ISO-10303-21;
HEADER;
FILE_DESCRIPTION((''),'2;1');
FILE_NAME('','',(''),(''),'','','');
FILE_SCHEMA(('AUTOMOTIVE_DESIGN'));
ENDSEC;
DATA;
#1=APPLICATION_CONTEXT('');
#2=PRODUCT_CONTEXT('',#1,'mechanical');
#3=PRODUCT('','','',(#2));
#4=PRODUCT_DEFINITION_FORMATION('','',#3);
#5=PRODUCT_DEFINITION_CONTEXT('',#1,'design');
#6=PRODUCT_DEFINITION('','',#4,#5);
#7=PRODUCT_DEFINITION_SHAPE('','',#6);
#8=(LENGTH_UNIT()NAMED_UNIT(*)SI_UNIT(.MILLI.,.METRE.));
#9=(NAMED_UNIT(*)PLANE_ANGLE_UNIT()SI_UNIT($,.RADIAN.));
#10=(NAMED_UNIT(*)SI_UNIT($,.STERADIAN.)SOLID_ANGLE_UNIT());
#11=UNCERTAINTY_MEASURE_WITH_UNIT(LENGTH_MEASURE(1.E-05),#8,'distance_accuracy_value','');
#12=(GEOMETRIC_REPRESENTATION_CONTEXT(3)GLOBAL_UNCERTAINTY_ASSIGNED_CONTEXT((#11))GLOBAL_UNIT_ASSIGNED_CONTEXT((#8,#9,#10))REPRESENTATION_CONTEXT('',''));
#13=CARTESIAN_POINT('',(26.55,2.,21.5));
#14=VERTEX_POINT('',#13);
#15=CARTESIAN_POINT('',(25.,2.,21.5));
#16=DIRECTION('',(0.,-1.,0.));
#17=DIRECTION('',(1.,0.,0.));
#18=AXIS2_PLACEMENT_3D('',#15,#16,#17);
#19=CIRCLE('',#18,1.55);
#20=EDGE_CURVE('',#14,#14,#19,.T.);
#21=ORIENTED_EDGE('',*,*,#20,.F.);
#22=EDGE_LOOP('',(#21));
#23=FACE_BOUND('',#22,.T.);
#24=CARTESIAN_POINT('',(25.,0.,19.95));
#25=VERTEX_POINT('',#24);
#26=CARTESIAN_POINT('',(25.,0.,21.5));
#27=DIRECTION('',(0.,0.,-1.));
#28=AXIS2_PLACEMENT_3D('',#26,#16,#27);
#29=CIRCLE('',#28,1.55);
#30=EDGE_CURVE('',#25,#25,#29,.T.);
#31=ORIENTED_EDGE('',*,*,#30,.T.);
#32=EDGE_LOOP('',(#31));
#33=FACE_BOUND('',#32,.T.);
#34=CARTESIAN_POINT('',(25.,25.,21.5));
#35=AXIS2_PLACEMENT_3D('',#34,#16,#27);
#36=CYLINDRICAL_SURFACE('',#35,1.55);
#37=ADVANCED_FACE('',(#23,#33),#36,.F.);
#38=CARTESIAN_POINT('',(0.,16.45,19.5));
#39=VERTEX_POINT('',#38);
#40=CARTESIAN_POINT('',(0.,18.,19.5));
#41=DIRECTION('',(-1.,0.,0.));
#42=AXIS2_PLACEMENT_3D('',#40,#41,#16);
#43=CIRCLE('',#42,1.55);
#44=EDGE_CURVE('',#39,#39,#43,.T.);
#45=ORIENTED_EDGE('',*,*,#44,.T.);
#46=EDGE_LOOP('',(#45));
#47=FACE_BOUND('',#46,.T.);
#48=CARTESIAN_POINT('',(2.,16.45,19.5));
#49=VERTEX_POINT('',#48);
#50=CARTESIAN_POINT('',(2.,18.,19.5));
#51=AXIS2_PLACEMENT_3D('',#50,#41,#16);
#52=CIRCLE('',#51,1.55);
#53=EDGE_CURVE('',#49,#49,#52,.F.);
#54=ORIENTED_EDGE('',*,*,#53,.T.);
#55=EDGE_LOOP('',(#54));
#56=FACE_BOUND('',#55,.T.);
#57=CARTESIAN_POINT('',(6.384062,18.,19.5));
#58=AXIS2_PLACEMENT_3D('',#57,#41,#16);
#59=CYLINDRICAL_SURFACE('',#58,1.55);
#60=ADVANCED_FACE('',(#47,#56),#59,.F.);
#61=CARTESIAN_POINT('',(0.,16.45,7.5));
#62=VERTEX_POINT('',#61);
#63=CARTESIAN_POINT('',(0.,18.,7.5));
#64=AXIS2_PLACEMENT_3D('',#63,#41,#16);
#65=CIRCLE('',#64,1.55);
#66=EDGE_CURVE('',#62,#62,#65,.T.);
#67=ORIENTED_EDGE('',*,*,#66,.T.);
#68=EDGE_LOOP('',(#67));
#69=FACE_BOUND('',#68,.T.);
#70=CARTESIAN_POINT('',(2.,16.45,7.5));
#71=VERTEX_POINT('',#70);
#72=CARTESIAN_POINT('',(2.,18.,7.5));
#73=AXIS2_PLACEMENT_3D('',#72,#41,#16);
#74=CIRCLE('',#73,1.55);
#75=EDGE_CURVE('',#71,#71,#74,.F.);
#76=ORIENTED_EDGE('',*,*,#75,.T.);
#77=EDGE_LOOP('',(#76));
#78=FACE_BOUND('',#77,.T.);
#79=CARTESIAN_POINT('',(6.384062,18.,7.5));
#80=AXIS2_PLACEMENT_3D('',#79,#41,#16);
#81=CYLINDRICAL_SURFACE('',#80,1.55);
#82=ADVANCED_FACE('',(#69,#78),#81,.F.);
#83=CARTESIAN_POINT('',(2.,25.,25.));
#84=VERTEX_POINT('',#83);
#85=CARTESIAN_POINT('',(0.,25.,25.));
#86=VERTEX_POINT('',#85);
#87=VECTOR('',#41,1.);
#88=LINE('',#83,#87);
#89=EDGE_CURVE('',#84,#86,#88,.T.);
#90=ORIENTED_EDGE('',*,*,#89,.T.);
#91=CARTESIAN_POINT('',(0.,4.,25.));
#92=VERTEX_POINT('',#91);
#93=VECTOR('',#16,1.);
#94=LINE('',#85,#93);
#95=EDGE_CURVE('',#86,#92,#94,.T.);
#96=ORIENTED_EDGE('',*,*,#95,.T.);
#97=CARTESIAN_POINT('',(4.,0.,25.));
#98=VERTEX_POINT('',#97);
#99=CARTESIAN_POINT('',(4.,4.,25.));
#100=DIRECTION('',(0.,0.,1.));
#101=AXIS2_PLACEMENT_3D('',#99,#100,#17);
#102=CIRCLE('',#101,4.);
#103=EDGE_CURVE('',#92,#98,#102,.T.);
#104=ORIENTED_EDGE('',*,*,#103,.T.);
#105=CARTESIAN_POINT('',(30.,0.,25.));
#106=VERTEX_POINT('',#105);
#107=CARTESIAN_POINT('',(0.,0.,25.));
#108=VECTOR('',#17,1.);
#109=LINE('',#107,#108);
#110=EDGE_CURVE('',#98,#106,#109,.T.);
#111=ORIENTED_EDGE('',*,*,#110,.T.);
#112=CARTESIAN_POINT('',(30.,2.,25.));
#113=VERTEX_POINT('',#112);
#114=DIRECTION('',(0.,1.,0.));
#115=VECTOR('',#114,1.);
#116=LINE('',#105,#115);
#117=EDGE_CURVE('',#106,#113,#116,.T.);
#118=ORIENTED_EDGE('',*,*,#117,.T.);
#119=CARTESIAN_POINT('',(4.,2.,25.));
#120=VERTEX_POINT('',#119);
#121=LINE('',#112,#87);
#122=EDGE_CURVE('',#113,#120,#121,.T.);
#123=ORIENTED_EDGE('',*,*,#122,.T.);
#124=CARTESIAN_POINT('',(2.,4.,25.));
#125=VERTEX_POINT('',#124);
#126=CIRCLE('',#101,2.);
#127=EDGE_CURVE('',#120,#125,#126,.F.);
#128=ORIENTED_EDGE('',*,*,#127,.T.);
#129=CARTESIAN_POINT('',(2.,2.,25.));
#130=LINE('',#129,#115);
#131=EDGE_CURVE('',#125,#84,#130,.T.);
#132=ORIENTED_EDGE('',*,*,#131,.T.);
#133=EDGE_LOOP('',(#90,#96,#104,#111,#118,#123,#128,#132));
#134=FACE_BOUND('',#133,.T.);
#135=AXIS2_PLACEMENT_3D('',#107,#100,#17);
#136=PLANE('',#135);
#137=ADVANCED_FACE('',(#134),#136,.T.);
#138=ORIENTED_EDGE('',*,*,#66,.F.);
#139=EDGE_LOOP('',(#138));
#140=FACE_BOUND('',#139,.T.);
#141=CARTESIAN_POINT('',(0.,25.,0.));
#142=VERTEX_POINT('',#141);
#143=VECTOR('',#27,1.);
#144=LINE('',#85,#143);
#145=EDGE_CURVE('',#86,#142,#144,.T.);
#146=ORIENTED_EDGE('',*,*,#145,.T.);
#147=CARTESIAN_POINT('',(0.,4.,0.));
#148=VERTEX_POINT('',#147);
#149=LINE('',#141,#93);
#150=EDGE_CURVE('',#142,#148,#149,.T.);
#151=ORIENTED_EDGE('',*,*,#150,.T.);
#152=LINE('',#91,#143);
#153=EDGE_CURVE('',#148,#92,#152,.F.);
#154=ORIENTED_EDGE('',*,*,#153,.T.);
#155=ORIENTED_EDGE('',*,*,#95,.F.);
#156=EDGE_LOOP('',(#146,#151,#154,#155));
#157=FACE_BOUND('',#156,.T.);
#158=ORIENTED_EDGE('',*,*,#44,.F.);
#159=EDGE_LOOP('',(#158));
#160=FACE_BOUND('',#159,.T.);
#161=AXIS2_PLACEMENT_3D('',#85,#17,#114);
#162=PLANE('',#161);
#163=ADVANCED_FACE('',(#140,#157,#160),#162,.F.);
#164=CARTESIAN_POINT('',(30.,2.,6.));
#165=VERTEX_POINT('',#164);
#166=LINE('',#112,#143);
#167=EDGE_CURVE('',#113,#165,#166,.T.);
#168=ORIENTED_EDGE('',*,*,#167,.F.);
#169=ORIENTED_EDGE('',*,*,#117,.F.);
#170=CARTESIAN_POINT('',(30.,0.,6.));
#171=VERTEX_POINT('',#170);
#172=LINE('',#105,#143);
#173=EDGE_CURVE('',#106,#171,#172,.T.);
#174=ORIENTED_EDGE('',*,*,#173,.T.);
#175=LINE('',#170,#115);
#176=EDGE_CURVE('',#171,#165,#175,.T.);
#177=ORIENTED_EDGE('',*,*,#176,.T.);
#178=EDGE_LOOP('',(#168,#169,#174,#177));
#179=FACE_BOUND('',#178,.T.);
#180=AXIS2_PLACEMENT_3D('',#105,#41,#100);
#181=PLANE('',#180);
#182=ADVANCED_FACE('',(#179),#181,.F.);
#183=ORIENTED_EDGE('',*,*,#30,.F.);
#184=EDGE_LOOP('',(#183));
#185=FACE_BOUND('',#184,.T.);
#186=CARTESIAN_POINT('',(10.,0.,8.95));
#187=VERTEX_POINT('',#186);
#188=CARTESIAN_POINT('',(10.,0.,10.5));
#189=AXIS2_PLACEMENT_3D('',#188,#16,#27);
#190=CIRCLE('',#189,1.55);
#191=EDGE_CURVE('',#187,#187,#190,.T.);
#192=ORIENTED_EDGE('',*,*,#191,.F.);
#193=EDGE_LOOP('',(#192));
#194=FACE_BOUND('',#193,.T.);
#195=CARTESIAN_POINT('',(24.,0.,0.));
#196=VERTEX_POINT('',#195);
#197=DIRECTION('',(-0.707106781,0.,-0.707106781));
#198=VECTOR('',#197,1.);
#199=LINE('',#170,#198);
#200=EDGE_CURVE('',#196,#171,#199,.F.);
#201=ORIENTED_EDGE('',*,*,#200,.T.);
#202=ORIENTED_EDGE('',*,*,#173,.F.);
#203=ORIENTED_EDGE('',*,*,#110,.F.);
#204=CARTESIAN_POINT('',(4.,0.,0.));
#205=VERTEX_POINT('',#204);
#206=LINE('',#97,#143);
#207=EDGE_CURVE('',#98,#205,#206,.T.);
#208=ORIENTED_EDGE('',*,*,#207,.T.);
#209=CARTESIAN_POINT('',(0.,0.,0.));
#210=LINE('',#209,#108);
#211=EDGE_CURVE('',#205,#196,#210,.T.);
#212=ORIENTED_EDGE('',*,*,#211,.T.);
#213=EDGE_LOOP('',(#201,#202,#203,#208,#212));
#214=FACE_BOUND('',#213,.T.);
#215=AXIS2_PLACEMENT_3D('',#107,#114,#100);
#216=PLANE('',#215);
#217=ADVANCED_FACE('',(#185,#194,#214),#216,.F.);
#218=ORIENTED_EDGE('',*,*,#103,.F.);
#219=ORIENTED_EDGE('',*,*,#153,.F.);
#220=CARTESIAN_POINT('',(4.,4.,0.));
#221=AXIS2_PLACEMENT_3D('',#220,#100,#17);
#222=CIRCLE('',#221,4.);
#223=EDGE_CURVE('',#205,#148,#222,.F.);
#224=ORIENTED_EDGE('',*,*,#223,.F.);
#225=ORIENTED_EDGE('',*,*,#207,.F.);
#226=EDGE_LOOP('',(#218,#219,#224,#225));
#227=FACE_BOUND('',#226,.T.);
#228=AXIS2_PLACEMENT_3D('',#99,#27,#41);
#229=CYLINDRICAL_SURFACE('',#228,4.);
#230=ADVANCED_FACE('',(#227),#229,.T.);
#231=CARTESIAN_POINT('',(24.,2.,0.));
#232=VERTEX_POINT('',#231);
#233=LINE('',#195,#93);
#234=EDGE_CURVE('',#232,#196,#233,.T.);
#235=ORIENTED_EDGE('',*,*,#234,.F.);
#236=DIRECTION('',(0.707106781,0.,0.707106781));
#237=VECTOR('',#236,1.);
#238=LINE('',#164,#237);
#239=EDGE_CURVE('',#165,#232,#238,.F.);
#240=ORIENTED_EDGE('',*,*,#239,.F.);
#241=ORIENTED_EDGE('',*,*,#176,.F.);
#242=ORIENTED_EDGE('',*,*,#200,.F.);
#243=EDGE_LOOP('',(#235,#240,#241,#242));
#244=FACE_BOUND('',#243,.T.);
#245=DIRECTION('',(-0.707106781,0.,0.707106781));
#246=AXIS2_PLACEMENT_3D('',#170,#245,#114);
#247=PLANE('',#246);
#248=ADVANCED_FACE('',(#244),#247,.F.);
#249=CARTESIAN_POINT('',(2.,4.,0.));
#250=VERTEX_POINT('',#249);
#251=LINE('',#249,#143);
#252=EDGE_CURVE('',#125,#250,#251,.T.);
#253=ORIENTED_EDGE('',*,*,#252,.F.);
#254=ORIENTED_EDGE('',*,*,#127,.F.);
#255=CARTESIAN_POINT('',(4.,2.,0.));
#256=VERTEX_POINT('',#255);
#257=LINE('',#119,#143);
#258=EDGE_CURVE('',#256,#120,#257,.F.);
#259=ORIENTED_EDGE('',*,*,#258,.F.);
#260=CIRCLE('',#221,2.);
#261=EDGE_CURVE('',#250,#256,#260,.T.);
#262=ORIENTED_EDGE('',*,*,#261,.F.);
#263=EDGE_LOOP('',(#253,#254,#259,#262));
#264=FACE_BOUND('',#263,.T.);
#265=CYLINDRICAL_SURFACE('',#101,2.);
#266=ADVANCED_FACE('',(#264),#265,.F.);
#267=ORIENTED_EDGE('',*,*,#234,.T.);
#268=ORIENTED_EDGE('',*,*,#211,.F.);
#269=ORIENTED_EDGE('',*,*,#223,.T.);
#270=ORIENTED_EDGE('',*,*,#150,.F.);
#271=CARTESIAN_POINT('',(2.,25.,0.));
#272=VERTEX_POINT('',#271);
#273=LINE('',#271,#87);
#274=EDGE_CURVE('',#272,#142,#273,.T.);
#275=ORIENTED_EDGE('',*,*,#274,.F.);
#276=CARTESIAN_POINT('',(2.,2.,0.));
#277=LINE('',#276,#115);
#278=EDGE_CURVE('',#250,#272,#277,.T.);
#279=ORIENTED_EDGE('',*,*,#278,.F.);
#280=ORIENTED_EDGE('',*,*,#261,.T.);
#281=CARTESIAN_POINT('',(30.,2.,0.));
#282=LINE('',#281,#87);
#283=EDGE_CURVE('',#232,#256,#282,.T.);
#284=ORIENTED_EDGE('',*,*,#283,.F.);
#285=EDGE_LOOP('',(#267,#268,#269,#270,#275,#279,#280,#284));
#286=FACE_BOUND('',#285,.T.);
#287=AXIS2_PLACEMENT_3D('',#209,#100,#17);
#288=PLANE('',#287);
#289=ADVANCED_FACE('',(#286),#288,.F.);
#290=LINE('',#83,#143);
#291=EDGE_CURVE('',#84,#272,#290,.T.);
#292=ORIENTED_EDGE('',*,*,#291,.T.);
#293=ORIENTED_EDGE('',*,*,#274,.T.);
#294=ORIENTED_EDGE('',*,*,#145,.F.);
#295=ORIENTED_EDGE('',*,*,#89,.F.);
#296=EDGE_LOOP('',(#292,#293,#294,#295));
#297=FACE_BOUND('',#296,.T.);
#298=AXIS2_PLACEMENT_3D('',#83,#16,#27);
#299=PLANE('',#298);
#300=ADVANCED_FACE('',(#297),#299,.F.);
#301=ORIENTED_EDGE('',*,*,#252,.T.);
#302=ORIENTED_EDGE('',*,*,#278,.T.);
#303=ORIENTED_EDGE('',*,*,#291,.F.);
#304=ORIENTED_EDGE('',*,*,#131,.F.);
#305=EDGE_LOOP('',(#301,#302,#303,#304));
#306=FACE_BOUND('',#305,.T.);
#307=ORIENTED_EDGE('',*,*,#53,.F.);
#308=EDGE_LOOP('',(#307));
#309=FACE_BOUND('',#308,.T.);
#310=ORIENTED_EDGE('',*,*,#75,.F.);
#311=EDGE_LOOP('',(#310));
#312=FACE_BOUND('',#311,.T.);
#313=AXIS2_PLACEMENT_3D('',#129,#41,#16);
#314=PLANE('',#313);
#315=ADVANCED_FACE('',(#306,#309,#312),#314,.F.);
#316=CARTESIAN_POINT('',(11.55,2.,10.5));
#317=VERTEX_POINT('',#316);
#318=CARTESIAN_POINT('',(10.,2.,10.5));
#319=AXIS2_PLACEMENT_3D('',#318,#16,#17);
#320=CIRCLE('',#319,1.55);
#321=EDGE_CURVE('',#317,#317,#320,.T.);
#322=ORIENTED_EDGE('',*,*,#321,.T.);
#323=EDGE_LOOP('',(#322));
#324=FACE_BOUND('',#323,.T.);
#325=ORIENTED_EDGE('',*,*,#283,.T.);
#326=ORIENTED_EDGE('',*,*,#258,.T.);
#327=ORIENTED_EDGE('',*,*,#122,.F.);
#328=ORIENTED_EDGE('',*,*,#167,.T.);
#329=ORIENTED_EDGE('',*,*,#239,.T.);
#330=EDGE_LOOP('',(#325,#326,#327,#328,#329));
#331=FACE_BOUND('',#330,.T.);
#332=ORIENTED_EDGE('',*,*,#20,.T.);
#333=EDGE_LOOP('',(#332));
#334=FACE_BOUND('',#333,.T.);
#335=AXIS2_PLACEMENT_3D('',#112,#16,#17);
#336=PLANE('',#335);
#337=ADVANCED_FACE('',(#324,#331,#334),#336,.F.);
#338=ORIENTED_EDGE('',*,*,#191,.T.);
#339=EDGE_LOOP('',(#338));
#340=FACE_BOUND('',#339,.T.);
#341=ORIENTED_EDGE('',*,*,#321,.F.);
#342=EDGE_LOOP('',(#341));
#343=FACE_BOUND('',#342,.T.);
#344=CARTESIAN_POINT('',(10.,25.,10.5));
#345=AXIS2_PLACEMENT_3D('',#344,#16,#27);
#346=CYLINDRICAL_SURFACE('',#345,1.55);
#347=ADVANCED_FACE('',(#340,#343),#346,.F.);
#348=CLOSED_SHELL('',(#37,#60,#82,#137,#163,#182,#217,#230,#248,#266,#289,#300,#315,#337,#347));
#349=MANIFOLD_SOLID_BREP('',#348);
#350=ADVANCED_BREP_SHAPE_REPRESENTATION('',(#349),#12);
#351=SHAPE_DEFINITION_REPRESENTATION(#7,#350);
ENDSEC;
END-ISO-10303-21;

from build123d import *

# Parameters (mm, degrees)
BASE_DEPTH         = 25
SKETCH2_R          = 1.55
CUT_EXTRUDE1_DEPTH = 2
SKETCH4_R          = 1.55
CUT_EXTRUDE3_DEPTH = 47.368092477
CHAMFER2_SIZE      = 6
FILLET1_R          = 2
FILLET2_R          = 4


with BuildPart() as part:
    # Sketch1 → Base (new body)
    with BuildSketch(Plane.XY):
        Polygon((0, 0), (30, 0), (30, 2), (2, 2), (2, 25), (0, 25), align=None)
    extrude(amount=BASE_DEPTH)

    # Sketch2 → Cut-Extrude1 (cut)
    with BuildSketch(Plane.ZY):
        with Locations(Location((19.5, 18, 0), (0, 0, 270))):
            Circle(SKETCH2_R)
        with Locations(Location((7.5, 18, 0), (0, 0, 270))):
            Circle(SKETCH2_R)
    extrude(amount=-CUT_EXTRUDE1_DEPTH, mode=Mode.SUBTRACT)

    # Sketch4 → Cut-Extrude3 (cut, through all)
    with BuildSketch(Plane.XZ):
        with Locations(Location((10, 10.5, 0), (0, 0, 270))):
            Circle(SKETCH4_R)
        with Locations(Location((25, 21.5, 0), (0, 0, 270))):
            Circle(SKETCH4_R)
    extrude(amount=-CUT_EXTRUDE3_DEPTH, mode=Mode.SUBTRACT)

    # Chamfer2
    chamfer2_edges = [part.edges().sort_by_distance(p)[0] for p in [
        (30, 1, 0),
    ]]
    chamfer(chamfer2_edges, length=CHAMFER2_SIZE)

    # Fillet1
    fillet1_edges = [part.edges().sort_by_distance(p)[0] for p in [
        (2, 2, 12.5),
    ]]
    fillet(fillet1_edges, radius=FILLET1_R)

    # Fillet2
    fillet2_edges = [part.edges().sort_by_distance(p)[0] for p in [
        (0, 0, 12.5),
    ]]
    fillet(fillet2_edges, radius=FILLET2_R)


solid = part.part
